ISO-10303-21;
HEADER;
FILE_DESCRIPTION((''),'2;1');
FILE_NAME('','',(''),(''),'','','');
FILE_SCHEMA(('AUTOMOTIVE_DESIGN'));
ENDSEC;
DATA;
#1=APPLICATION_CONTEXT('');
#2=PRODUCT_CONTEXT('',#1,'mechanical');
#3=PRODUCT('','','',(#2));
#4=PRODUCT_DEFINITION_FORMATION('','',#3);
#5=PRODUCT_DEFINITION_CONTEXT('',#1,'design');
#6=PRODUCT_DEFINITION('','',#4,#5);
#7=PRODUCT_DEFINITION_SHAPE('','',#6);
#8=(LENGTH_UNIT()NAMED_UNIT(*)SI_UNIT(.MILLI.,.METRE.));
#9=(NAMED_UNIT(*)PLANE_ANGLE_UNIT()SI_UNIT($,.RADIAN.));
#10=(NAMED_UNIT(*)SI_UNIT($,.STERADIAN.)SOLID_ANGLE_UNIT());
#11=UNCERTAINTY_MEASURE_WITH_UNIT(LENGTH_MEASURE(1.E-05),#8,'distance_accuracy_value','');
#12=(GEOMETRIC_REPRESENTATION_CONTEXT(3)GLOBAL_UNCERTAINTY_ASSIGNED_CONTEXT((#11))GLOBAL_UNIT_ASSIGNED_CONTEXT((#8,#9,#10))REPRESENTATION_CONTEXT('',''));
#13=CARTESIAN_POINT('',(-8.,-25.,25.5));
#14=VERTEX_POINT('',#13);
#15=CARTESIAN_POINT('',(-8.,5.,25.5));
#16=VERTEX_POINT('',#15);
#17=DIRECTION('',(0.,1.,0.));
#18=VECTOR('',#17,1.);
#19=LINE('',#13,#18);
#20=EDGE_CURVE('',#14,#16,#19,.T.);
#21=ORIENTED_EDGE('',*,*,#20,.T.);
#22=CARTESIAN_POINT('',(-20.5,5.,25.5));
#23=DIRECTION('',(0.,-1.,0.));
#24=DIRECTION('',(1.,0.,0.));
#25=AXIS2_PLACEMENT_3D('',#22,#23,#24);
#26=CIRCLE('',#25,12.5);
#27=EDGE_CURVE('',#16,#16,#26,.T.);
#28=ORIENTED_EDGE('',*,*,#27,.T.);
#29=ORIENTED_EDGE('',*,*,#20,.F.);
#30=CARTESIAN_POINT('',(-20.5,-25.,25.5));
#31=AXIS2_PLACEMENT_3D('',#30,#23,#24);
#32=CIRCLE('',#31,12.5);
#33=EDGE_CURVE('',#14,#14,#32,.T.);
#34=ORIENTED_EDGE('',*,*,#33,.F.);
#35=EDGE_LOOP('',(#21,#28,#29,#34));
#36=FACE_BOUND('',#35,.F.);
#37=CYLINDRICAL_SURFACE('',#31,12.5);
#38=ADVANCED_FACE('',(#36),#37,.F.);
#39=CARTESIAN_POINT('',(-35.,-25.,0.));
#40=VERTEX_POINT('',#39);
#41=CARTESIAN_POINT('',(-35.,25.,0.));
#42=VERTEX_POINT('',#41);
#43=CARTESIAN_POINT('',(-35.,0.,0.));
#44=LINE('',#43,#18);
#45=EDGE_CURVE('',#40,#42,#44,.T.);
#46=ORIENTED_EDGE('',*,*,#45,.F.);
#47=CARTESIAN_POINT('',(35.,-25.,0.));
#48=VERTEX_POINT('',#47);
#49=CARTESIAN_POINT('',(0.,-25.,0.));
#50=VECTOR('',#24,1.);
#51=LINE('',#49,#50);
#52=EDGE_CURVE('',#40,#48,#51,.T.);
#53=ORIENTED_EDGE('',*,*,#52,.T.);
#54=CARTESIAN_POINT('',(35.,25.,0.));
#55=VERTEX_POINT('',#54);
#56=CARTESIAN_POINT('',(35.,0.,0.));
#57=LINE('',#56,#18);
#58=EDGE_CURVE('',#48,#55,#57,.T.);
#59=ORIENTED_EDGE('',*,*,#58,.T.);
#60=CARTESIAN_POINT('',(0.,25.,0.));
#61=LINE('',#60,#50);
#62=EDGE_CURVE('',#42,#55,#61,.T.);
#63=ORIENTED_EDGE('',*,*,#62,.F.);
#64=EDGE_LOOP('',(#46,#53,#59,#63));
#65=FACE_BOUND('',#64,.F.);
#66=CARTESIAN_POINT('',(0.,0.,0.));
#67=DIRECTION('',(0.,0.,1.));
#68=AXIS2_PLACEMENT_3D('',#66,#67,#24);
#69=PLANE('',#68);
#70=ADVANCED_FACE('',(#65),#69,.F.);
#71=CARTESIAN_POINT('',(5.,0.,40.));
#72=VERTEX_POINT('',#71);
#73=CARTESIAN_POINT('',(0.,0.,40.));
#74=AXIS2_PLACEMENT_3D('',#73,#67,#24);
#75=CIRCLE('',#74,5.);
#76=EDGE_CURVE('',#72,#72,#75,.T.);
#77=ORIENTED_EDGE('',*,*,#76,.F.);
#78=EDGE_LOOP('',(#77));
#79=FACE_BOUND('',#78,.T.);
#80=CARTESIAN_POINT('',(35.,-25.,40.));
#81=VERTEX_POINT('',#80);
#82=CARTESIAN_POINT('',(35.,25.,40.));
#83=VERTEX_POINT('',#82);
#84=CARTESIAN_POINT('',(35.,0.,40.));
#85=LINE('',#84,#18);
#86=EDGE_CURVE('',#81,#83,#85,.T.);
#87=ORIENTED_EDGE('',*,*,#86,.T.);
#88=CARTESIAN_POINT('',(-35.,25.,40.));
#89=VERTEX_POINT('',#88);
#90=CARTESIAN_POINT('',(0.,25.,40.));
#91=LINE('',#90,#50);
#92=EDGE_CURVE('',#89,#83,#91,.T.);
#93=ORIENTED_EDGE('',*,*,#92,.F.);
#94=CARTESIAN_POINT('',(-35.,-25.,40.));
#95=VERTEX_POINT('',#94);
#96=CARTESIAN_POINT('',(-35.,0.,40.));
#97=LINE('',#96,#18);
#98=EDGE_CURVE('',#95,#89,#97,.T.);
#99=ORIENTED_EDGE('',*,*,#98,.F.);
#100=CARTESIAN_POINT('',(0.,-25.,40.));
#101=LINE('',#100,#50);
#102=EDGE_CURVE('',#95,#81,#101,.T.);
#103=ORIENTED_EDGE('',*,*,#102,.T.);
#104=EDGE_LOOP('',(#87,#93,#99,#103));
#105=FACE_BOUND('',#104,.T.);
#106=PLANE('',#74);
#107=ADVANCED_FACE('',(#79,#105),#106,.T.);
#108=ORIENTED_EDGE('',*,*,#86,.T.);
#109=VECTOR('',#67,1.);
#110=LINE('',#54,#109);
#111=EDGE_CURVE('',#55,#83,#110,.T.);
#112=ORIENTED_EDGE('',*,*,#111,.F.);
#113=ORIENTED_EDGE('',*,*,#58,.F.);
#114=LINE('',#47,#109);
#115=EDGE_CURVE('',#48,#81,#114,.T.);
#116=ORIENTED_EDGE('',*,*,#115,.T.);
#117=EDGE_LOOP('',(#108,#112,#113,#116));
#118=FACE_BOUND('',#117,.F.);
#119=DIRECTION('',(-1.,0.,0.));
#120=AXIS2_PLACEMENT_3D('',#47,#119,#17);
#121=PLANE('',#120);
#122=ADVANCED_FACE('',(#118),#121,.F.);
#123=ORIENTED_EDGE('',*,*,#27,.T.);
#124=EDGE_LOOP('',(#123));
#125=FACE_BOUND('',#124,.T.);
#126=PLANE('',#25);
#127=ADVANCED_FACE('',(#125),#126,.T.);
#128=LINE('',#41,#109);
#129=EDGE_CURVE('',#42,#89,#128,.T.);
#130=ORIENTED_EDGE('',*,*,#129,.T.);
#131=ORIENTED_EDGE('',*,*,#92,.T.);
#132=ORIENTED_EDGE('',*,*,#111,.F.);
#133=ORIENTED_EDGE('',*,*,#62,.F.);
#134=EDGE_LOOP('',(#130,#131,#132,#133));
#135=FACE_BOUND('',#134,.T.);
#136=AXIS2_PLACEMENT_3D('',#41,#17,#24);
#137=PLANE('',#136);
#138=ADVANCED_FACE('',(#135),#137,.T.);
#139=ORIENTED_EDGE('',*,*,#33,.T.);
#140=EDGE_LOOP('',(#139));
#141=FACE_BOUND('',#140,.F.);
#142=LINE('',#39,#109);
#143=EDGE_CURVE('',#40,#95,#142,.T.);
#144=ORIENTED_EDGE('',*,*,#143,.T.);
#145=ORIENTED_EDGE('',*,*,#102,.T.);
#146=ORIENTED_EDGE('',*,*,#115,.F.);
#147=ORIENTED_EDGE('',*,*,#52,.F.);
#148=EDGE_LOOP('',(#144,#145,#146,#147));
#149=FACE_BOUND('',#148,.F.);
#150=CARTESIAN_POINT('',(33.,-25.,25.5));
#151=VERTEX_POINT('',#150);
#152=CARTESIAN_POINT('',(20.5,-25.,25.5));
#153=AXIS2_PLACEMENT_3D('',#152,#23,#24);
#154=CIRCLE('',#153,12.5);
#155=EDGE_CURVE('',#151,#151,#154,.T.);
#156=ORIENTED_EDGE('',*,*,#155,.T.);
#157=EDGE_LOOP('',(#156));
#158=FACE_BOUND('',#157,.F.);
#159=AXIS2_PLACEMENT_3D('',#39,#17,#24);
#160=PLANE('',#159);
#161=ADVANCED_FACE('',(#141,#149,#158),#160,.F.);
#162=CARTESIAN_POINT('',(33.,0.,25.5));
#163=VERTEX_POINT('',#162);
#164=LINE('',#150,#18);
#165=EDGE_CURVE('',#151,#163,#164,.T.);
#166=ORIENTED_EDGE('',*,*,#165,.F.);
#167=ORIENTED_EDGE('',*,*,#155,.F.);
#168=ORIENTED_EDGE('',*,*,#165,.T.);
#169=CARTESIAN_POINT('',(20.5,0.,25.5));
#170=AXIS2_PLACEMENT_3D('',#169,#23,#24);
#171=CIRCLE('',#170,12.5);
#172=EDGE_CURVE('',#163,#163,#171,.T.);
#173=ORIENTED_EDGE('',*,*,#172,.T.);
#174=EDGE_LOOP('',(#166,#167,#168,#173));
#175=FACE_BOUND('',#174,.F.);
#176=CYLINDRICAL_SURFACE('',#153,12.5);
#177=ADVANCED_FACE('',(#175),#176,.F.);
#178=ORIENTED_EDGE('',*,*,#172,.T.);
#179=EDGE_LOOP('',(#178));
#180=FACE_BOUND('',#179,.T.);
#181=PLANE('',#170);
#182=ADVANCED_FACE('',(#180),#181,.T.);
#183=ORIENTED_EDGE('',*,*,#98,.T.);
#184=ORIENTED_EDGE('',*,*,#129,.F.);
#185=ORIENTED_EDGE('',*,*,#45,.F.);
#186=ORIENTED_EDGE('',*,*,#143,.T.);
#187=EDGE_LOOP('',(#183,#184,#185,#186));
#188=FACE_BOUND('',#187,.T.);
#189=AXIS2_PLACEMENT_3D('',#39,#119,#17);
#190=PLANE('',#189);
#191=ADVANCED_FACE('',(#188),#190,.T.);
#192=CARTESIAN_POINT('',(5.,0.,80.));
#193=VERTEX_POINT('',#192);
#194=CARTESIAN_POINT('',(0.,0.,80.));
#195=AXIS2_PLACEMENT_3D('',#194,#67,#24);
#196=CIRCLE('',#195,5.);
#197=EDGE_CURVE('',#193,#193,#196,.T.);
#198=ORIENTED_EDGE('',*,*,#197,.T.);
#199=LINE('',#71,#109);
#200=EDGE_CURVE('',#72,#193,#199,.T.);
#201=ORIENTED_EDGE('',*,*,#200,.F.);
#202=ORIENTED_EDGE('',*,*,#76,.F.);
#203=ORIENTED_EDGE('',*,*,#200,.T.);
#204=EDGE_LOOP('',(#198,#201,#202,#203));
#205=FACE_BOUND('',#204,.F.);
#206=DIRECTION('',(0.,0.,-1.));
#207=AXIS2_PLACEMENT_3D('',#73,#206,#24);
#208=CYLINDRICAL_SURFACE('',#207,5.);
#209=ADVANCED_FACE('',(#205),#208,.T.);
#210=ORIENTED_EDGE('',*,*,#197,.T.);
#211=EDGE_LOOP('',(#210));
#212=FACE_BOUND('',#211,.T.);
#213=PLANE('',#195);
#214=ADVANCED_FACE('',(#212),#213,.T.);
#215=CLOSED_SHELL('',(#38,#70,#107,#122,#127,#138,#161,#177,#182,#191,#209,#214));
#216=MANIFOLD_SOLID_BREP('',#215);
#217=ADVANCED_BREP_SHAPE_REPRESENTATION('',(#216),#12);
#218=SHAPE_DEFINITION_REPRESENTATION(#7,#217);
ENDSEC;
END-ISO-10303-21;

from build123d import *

# Parameters (mm, degrees)
F0_W     = 70
F0_H     = 50
F1_DEPTH = 40
F2_R     = 5
F3_DEPTH = 40
F4_R     = 12.5
F5_DEPTH = 30
F6_R     = 12.5
F7_DEPTH = 25


with BuildPart() as f1:
    # F0 (on Top) → F1 (new body)
    with BuildSketch(Plane.XY):
        Rectangle(F0_W, F0_H)
    extrude(amount=F1_DEPTH)

    # F2 (on face) → F3 (join)
    with BuildSketch(Plane.XY.offset(40)):
        Circle(F2_R)
    extrude(amount=F3_DEPTH)

    # F4 (on face) → F5 (cut)
    with BuildSketch(Plane.XZ.offset(25)):
        with Locations((-20.5, 25.5)):
            Circle(F4_R)
    extrude(amount=-F5_DEPTH, mode=Mode.SUBTRACT)

    # F6 (on face) → F7 (cut)
    with BuildSketch(Plane.XZ.offset(25)):
        with Locations((20.5, 25.5)):
            Circle(F6_R)
    extrude(amount=-F7_DEPTH, mode=Mode.SUBTRACT)


solid = f1.part
